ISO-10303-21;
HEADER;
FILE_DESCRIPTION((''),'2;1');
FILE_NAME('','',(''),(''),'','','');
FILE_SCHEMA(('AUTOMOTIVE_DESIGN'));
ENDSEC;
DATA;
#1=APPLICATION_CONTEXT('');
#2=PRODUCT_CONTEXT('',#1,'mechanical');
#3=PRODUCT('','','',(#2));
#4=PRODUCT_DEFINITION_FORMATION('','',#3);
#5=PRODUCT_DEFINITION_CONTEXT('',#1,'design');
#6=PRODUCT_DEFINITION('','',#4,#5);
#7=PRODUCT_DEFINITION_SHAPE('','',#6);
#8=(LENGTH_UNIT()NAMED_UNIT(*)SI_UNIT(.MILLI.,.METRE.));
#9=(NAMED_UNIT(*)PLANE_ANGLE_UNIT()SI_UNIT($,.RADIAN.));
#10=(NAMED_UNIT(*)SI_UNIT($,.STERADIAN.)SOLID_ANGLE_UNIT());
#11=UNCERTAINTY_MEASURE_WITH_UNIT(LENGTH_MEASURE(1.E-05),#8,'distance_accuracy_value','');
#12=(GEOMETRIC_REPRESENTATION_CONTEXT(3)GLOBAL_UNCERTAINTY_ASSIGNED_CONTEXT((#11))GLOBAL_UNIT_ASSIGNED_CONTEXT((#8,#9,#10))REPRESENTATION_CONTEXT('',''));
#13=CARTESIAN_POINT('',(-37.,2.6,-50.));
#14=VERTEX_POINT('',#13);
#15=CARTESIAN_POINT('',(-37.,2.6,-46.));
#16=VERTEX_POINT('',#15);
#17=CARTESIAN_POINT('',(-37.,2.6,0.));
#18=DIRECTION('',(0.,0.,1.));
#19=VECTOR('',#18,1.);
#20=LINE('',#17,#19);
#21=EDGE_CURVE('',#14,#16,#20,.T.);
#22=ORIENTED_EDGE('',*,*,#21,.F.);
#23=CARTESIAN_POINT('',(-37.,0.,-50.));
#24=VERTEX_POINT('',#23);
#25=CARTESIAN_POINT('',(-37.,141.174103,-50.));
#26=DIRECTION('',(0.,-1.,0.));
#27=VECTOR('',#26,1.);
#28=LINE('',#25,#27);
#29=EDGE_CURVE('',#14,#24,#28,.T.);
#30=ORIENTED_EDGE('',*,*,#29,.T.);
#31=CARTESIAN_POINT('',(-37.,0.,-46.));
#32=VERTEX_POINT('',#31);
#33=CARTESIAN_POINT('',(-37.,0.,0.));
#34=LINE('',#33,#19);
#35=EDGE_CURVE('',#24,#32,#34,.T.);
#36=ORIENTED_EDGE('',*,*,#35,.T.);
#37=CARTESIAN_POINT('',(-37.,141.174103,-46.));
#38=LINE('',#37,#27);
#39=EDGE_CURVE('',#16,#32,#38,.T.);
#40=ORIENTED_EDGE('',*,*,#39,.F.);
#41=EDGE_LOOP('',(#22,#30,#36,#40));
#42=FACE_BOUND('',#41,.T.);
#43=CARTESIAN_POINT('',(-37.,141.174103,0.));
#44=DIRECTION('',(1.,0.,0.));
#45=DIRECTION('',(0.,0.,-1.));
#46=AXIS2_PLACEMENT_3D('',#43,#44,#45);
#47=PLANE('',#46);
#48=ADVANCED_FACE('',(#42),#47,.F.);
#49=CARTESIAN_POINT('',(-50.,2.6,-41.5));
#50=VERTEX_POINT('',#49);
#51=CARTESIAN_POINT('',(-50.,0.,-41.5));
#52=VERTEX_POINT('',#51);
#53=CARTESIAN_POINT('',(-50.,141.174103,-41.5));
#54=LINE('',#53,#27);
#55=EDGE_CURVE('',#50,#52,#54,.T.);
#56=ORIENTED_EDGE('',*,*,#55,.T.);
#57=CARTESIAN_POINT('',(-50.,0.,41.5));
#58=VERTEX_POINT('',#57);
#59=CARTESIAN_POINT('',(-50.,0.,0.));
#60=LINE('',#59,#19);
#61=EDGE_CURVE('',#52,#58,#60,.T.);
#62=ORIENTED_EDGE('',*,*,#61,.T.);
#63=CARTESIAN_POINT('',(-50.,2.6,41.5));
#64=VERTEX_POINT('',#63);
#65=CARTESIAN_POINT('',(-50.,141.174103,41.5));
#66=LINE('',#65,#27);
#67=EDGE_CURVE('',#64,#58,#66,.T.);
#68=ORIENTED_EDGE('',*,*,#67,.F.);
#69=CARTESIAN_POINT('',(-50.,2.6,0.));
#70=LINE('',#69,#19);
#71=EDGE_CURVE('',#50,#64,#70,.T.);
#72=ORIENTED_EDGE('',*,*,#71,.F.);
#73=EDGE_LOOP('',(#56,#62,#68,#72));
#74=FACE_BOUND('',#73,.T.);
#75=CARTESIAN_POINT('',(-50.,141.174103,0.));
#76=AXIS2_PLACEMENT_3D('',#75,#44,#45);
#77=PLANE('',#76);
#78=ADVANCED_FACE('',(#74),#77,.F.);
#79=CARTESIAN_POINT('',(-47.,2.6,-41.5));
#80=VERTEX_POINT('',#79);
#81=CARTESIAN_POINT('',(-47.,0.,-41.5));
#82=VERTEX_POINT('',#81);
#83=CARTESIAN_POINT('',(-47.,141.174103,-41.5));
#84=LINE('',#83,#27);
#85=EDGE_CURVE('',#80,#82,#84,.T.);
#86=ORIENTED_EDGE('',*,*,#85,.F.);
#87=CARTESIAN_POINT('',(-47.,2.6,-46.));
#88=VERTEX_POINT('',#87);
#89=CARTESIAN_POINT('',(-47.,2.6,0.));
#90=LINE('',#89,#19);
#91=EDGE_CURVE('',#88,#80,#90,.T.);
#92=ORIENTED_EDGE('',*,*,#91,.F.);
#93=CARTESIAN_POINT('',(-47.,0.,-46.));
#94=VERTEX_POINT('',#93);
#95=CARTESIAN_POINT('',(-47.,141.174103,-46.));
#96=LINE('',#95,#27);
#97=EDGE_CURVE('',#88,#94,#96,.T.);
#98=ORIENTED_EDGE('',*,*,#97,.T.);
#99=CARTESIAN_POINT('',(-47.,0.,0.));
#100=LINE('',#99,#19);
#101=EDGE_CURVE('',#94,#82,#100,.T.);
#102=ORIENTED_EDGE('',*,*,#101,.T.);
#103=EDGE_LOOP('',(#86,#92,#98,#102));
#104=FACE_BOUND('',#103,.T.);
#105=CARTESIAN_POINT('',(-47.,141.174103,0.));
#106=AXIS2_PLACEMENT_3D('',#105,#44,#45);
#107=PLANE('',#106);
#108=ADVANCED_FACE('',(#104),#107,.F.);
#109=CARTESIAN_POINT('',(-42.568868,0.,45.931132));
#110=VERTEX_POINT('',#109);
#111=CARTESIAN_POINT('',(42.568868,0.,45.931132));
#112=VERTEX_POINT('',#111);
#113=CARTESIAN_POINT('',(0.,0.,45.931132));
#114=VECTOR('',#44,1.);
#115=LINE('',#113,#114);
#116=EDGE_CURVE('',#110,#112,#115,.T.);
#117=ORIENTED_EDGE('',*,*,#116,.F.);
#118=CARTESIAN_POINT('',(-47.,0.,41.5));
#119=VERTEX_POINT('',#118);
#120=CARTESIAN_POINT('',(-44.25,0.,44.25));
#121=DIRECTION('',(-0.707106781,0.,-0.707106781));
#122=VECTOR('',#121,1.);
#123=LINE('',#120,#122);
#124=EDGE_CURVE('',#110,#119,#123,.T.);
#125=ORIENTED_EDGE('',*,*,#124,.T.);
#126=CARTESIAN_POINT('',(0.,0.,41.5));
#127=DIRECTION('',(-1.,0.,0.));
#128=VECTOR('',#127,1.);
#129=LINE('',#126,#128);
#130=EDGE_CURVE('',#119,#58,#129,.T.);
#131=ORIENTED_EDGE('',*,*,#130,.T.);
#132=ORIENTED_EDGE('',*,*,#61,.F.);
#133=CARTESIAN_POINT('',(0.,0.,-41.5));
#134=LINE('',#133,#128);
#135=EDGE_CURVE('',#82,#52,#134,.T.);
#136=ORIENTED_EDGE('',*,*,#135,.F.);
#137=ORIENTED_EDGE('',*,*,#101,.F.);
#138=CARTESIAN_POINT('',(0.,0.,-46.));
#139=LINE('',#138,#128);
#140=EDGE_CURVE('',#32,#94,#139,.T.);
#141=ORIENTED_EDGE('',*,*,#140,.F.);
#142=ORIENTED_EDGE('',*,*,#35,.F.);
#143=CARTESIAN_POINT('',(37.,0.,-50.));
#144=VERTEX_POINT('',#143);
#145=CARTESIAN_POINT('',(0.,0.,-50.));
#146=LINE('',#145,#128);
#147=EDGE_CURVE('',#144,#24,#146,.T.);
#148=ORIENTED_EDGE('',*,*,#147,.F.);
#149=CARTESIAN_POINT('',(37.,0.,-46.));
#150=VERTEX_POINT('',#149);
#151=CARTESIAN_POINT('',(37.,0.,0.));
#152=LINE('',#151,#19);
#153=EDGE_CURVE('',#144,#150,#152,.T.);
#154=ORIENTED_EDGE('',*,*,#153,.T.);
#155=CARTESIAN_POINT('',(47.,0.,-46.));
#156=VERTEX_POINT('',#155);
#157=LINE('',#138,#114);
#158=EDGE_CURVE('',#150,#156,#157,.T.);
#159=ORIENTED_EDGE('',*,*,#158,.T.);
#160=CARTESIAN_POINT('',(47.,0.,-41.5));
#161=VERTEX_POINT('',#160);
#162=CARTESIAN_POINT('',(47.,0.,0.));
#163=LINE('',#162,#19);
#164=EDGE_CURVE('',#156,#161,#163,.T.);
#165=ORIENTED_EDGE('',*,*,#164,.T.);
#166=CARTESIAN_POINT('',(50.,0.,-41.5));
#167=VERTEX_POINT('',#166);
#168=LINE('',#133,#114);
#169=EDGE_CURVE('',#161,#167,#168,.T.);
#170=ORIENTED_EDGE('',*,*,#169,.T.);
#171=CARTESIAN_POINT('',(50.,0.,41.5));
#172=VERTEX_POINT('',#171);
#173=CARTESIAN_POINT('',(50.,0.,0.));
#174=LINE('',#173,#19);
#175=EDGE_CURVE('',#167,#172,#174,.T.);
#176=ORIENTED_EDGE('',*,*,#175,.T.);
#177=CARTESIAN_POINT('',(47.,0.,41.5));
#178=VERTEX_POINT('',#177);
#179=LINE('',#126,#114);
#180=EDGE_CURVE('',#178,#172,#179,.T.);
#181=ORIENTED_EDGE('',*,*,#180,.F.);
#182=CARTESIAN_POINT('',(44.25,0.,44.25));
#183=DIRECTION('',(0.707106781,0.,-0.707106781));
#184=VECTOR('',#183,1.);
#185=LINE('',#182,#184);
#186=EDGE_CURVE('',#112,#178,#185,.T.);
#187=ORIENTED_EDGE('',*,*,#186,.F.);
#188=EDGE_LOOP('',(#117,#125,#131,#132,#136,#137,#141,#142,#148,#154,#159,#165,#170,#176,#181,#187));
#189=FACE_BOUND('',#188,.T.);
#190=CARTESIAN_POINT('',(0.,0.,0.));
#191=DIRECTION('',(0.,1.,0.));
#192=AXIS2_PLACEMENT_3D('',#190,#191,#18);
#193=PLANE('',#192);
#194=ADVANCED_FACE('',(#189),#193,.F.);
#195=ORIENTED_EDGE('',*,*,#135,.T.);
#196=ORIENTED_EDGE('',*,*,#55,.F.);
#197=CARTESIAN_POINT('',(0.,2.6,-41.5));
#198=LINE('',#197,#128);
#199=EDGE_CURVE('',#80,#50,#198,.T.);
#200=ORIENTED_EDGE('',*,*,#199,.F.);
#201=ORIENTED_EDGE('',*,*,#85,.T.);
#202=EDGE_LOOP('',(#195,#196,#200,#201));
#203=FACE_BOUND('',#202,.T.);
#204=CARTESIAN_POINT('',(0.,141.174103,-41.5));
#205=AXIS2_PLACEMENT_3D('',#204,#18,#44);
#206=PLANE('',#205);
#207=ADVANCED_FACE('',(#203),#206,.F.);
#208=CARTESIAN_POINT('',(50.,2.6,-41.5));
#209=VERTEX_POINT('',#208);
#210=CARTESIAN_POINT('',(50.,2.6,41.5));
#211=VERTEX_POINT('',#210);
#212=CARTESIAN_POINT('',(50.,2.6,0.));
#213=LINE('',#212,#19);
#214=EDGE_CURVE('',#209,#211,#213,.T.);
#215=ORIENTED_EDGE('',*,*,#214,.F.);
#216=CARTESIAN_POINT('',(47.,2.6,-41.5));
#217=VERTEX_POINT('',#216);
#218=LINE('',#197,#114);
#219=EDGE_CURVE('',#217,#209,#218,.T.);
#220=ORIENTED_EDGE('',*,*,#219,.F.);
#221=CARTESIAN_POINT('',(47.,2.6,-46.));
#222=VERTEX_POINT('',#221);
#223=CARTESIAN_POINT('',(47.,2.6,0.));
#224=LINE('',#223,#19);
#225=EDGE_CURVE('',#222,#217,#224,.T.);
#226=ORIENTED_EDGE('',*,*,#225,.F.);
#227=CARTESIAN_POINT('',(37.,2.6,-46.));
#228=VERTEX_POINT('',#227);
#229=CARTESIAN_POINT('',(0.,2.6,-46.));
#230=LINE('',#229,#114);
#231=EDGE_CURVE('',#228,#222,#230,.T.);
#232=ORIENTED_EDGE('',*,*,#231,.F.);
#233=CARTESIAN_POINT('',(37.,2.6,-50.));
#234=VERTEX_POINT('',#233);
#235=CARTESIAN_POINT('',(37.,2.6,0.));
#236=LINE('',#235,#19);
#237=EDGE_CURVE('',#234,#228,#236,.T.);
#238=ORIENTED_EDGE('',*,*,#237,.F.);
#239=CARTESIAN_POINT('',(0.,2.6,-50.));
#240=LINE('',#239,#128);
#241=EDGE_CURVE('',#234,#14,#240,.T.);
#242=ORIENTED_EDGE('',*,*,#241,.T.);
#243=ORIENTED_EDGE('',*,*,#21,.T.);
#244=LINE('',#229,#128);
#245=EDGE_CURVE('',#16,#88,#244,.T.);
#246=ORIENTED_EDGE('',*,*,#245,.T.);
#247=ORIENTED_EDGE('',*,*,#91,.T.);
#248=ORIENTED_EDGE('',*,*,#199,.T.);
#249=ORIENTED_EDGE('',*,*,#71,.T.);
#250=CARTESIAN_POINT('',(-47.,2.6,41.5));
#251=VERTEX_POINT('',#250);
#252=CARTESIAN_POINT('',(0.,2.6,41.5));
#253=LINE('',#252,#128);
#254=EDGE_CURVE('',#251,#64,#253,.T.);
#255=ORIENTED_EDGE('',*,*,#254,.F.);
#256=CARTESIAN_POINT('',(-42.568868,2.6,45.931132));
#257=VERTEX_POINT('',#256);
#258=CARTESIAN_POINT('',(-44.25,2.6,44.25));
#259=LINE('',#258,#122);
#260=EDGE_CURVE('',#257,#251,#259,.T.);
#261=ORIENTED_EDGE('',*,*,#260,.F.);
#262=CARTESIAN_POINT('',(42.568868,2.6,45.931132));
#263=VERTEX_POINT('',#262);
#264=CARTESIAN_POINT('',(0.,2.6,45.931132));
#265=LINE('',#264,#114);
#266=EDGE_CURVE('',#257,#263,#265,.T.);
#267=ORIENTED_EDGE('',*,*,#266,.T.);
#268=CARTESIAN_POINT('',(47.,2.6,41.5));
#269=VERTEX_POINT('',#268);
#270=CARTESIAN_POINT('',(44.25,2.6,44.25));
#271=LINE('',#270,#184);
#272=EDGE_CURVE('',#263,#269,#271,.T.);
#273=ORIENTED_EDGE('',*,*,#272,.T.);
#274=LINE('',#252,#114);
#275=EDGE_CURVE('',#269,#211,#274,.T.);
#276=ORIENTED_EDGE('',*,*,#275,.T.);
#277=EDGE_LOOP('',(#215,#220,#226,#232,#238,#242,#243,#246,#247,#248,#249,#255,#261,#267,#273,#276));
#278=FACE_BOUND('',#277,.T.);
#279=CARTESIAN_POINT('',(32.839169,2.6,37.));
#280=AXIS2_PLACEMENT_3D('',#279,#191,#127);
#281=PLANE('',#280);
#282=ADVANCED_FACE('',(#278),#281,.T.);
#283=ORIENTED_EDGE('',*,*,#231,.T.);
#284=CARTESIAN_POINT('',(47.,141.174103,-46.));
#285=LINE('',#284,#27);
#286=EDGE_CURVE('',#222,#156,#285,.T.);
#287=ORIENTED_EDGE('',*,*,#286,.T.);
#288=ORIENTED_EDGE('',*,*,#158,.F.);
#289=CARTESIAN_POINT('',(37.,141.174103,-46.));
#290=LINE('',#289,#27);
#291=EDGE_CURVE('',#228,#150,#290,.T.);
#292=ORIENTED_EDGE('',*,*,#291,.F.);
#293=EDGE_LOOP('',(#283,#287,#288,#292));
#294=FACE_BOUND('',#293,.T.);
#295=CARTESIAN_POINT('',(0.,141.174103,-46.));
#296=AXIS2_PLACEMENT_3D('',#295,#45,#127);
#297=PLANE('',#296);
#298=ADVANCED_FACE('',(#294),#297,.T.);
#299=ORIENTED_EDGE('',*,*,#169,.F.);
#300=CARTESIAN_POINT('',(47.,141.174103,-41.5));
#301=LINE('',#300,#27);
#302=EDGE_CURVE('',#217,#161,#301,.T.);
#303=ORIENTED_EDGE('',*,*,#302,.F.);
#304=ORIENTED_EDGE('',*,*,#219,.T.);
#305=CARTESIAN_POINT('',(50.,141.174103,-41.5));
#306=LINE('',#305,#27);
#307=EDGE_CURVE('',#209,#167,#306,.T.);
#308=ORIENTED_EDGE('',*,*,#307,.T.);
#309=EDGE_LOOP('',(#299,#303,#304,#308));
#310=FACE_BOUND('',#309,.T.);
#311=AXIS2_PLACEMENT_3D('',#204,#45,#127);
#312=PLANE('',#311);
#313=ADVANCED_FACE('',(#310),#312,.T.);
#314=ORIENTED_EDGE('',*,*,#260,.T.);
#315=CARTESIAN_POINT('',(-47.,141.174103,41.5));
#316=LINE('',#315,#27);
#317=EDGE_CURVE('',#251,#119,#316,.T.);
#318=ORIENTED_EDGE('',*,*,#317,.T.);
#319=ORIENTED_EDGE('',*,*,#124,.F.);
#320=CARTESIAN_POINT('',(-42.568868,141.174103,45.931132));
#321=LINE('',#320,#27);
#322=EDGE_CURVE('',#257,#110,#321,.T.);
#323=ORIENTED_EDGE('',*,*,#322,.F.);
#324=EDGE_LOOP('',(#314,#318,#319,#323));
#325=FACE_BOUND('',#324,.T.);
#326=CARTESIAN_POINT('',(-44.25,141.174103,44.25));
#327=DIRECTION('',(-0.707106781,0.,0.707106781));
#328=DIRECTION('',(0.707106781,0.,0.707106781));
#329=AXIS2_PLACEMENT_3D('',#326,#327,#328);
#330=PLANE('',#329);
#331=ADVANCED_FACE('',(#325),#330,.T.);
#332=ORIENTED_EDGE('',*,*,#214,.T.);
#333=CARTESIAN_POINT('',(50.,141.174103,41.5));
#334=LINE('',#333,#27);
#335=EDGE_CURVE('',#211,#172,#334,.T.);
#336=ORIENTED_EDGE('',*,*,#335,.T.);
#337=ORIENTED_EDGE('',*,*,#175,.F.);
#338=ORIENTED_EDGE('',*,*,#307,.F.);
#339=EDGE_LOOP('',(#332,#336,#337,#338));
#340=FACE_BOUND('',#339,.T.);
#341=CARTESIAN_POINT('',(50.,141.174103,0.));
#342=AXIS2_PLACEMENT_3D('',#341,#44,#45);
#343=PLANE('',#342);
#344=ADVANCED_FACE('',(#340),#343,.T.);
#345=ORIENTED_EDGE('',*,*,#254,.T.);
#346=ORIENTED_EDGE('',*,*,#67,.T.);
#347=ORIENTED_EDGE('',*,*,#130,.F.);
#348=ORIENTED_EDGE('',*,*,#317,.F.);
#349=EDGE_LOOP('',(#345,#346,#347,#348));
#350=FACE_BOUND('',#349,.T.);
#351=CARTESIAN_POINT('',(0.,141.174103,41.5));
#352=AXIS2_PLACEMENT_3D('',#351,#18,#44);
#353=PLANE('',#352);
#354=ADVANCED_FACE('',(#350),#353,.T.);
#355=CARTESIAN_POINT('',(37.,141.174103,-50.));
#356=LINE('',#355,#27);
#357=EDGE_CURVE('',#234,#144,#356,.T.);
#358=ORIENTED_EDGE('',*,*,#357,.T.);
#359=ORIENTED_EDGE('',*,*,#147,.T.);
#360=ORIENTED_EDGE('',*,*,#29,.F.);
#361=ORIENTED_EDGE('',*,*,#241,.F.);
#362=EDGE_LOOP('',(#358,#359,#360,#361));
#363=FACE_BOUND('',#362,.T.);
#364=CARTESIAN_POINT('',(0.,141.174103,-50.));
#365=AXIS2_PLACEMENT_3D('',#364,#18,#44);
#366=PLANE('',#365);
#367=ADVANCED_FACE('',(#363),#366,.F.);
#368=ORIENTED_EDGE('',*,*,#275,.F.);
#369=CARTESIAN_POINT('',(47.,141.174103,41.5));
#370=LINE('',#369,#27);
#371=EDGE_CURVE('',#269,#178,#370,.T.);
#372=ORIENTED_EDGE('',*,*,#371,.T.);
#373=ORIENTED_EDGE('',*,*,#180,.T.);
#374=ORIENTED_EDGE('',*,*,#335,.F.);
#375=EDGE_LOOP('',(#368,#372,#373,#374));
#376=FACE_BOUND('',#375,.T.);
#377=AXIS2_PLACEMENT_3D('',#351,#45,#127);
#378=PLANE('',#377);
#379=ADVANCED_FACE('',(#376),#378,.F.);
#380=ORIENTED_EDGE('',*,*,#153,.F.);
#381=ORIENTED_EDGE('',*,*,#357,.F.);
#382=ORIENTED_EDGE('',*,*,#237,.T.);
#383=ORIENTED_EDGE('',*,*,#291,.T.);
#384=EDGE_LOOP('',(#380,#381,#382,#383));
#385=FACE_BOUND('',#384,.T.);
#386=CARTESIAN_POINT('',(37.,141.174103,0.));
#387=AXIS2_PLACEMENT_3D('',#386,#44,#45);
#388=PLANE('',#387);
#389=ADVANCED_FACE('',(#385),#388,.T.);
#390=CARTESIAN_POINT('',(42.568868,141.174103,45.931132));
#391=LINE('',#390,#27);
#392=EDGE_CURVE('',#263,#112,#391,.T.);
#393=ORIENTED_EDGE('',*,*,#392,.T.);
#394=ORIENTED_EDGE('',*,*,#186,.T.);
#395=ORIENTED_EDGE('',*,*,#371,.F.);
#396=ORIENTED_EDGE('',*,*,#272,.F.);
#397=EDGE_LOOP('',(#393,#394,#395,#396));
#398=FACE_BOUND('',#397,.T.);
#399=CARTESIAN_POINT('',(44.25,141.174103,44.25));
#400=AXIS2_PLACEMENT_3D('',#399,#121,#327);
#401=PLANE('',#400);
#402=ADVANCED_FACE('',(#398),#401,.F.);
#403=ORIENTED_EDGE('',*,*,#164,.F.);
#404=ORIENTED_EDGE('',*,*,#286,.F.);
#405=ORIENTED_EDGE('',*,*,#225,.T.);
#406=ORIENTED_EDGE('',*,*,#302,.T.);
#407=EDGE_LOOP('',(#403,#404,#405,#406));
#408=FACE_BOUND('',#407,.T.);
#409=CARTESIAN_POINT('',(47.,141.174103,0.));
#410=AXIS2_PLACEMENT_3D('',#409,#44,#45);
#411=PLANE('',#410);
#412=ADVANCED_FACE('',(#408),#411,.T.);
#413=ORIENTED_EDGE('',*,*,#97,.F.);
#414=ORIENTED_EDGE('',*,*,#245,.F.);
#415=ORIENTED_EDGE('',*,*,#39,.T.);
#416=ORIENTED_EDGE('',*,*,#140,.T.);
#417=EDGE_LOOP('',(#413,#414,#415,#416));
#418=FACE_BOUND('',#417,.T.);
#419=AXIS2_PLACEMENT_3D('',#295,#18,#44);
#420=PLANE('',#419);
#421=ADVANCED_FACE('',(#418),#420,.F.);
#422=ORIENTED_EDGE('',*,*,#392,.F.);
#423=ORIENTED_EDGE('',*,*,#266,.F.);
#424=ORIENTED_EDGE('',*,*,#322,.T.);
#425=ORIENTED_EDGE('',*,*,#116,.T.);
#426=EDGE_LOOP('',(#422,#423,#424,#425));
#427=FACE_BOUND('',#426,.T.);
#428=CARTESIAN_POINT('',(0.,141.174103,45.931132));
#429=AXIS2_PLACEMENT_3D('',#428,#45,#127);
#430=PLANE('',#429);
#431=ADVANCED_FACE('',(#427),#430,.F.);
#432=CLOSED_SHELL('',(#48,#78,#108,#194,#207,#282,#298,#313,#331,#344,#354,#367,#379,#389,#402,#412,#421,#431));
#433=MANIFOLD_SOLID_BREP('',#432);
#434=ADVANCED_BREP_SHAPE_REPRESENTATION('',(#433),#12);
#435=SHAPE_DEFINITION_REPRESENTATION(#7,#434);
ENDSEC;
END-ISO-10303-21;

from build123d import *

# Parameters (mm, degrees)
BOSS_EXTRUDE1_DEPTH = 2.6


with BuildPart() as part:
    # Sketch2 → Boss-Extrude1 (new body)
    with BuildSketch(Plane(origin=(0, 0, 0), x_dir=(1, 0, 0), z_dir=(0, 1, 0))):
        Polygon((37, 46), (37, 50), (-37, 50), (-37, 46), (-46, 46), (-47, 46), (-47, 41.5), (-50, 41.5), (-50, -41.5), (-47, -41.5), (-42.568868069, -45.931131931), (42.568868069, -45.931131931), (47, -41.5), (50, -41.5), (50, 41.5), (47, 41.5), (47, 46), (46, 46), align=None)
    extrude(amount=BOSS_EXTRUDE1_DEPTH)


solid = part.part
